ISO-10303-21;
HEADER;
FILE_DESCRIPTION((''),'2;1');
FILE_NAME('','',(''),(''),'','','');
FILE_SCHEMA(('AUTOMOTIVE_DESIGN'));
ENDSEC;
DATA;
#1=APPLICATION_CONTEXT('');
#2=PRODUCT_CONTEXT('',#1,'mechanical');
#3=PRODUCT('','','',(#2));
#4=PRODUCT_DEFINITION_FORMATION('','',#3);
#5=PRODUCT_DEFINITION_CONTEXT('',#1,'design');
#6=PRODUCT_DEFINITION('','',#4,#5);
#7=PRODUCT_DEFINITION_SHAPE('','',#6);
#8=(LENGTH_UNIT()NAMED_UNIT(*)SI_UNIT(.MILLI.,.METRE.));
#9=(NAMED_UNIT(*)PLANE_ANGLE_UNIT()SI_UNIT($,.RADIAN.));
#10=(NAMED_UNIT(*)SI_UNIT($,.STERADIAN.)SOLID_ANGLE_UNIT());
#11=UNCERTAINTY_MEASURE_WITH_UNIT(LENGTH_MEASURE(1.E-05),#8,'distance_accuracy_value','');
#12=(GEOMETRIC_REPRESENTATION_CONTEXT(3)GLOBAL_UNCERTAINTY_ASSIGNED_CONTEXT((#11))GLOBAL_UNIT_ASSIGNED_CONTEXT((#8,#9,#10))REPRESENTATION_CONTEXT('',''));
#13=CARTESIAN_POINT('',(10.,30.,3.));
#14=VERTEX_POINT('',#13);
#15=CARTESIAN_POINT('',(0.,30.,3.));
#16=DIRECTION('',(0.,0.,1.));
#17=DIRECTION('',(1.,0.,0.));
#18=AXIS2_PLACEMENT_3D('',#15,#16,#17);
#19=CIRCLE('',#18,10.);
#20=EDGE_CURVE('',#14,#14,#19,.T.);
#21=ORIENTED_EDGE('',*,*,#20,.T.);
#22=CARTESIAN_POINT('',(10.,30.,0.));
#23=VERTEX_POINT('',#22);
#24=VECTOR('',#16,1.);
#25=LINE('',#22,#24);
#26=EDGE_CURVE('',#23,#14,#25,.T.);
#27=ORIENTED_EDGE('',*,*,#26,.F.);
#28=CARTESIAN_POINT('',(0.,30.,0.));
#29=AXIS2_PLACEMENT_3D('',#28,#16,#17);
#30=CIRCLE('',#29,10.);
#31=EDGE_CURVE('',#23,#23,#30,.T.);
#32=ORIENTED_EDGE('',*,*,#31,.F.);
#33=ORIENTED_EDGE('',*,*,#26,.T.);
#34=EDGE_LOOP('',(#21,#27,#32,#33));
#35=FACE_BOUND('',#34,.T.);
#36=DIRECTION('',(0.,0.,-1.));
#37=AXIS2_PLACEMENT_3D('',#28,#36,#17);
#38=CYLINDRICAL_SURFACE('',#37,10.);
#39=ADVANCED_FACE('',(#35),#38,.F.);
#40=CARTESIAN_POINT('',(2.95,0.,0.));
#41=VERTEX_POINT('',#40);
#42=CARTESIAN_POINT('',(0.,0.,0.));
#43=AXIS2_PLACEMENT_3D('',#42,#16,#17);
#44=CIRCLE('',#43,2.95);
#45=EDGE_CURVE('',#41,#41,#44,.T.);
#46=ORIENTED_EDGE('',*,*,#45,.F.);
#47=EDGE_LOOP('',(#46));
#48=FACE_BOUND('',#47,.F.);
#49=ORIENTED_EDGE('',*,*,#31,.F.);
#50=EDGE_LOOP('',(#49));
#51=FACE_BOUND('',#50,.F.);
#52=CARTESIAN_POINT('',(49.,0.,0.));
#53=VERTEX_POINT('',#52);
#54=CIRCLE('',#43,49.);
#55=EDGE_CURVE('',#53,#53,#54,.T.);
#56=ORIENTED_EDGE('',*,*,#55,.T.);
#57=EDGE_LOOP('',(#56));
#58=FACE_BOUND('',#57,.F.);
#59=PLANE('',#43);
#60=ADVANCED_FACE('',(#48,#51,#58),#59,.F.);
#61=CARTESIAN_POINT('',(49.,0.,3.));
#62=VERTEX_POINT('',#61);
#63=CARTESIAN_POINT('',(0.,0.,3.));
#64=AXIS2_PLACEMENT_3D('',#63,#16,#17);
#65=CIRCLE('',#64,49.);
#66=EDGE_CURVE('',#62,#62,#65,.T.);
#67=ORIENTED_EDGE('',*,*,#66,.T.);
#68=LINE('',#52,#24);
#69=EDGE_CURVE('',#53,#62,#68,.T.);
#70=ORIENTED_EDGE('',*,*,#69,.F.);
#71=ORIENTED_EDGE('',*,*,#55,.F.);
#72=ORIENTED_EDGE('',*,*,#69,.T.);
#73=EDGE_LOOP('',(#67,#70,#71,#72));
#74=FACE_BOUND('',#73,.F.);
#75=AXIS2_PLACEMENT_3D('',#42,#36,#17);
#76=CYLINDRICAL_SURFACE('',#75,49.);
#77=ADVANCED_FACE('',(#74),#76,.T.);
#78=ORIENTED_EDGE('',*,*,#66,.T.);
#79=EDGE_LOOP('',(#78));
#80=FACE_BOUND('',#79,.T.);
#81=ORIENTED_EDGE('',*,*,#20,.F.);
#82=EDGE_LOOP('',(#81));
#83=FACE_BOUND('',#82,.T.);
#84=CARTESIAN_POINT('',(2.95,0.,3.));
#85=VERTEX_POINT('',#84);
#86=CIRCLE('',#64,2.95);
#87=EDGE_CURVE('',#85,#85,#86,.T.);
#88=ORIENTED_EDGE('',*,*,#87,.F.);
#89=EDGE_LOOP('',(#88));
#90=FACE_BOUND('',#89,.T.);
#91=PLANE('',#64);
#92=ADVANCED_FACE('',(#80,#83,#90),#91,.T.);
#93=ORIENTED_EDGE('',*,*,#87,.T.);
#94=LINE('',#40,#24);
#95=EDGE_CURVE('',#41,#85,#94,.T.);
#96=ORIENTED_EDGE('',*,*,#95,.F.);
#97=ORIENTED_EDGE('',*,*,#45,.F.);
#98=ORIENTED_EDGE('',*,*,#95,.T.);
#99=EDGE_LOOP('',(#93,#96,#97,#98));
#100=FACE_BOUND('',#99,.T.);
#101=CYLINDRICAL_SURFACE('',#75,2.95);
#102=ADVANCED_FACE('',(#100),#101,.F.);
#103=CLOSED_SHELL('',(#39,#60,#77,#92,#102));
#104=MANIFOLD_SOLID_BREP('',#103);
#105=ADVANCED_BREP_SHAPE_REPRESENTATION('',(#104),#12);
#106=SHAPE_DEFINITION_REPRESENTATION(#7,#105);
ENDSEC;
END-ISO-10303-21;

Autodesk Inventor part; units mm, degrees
ref_plane "YZ Plane" through (0, 0, 0) normal (1, 0, 0) x (0, 1, 0)
ref_plane "XZ Plane" through (0, 0, 0) normal (0, 1, 0) x (-1, 0, 0)
ref_plane "XY Plane" through (0, 0, 0) normal (0, 0, 1) x (1, 0, 0)
sketch "Sketch1" plane through (0, 0, 0) normal (0, 0, 1) x (1, 0, 0)
  circle A0 centre (0, 0) radius 49
  circle A1 centre (0, 0) radius 2.95
  circle A2 centre (0, 30) radius 10
  dimension "d0" = 98
  dimension "d1" = 5.9
  dimension "d4" = 20
  dimension "d5" = 30
extrude "Extrusion2" add sketch "Sketch1" along normal blind 3
properties part number "OpenROV 2_2 Dev EndCap 94"
